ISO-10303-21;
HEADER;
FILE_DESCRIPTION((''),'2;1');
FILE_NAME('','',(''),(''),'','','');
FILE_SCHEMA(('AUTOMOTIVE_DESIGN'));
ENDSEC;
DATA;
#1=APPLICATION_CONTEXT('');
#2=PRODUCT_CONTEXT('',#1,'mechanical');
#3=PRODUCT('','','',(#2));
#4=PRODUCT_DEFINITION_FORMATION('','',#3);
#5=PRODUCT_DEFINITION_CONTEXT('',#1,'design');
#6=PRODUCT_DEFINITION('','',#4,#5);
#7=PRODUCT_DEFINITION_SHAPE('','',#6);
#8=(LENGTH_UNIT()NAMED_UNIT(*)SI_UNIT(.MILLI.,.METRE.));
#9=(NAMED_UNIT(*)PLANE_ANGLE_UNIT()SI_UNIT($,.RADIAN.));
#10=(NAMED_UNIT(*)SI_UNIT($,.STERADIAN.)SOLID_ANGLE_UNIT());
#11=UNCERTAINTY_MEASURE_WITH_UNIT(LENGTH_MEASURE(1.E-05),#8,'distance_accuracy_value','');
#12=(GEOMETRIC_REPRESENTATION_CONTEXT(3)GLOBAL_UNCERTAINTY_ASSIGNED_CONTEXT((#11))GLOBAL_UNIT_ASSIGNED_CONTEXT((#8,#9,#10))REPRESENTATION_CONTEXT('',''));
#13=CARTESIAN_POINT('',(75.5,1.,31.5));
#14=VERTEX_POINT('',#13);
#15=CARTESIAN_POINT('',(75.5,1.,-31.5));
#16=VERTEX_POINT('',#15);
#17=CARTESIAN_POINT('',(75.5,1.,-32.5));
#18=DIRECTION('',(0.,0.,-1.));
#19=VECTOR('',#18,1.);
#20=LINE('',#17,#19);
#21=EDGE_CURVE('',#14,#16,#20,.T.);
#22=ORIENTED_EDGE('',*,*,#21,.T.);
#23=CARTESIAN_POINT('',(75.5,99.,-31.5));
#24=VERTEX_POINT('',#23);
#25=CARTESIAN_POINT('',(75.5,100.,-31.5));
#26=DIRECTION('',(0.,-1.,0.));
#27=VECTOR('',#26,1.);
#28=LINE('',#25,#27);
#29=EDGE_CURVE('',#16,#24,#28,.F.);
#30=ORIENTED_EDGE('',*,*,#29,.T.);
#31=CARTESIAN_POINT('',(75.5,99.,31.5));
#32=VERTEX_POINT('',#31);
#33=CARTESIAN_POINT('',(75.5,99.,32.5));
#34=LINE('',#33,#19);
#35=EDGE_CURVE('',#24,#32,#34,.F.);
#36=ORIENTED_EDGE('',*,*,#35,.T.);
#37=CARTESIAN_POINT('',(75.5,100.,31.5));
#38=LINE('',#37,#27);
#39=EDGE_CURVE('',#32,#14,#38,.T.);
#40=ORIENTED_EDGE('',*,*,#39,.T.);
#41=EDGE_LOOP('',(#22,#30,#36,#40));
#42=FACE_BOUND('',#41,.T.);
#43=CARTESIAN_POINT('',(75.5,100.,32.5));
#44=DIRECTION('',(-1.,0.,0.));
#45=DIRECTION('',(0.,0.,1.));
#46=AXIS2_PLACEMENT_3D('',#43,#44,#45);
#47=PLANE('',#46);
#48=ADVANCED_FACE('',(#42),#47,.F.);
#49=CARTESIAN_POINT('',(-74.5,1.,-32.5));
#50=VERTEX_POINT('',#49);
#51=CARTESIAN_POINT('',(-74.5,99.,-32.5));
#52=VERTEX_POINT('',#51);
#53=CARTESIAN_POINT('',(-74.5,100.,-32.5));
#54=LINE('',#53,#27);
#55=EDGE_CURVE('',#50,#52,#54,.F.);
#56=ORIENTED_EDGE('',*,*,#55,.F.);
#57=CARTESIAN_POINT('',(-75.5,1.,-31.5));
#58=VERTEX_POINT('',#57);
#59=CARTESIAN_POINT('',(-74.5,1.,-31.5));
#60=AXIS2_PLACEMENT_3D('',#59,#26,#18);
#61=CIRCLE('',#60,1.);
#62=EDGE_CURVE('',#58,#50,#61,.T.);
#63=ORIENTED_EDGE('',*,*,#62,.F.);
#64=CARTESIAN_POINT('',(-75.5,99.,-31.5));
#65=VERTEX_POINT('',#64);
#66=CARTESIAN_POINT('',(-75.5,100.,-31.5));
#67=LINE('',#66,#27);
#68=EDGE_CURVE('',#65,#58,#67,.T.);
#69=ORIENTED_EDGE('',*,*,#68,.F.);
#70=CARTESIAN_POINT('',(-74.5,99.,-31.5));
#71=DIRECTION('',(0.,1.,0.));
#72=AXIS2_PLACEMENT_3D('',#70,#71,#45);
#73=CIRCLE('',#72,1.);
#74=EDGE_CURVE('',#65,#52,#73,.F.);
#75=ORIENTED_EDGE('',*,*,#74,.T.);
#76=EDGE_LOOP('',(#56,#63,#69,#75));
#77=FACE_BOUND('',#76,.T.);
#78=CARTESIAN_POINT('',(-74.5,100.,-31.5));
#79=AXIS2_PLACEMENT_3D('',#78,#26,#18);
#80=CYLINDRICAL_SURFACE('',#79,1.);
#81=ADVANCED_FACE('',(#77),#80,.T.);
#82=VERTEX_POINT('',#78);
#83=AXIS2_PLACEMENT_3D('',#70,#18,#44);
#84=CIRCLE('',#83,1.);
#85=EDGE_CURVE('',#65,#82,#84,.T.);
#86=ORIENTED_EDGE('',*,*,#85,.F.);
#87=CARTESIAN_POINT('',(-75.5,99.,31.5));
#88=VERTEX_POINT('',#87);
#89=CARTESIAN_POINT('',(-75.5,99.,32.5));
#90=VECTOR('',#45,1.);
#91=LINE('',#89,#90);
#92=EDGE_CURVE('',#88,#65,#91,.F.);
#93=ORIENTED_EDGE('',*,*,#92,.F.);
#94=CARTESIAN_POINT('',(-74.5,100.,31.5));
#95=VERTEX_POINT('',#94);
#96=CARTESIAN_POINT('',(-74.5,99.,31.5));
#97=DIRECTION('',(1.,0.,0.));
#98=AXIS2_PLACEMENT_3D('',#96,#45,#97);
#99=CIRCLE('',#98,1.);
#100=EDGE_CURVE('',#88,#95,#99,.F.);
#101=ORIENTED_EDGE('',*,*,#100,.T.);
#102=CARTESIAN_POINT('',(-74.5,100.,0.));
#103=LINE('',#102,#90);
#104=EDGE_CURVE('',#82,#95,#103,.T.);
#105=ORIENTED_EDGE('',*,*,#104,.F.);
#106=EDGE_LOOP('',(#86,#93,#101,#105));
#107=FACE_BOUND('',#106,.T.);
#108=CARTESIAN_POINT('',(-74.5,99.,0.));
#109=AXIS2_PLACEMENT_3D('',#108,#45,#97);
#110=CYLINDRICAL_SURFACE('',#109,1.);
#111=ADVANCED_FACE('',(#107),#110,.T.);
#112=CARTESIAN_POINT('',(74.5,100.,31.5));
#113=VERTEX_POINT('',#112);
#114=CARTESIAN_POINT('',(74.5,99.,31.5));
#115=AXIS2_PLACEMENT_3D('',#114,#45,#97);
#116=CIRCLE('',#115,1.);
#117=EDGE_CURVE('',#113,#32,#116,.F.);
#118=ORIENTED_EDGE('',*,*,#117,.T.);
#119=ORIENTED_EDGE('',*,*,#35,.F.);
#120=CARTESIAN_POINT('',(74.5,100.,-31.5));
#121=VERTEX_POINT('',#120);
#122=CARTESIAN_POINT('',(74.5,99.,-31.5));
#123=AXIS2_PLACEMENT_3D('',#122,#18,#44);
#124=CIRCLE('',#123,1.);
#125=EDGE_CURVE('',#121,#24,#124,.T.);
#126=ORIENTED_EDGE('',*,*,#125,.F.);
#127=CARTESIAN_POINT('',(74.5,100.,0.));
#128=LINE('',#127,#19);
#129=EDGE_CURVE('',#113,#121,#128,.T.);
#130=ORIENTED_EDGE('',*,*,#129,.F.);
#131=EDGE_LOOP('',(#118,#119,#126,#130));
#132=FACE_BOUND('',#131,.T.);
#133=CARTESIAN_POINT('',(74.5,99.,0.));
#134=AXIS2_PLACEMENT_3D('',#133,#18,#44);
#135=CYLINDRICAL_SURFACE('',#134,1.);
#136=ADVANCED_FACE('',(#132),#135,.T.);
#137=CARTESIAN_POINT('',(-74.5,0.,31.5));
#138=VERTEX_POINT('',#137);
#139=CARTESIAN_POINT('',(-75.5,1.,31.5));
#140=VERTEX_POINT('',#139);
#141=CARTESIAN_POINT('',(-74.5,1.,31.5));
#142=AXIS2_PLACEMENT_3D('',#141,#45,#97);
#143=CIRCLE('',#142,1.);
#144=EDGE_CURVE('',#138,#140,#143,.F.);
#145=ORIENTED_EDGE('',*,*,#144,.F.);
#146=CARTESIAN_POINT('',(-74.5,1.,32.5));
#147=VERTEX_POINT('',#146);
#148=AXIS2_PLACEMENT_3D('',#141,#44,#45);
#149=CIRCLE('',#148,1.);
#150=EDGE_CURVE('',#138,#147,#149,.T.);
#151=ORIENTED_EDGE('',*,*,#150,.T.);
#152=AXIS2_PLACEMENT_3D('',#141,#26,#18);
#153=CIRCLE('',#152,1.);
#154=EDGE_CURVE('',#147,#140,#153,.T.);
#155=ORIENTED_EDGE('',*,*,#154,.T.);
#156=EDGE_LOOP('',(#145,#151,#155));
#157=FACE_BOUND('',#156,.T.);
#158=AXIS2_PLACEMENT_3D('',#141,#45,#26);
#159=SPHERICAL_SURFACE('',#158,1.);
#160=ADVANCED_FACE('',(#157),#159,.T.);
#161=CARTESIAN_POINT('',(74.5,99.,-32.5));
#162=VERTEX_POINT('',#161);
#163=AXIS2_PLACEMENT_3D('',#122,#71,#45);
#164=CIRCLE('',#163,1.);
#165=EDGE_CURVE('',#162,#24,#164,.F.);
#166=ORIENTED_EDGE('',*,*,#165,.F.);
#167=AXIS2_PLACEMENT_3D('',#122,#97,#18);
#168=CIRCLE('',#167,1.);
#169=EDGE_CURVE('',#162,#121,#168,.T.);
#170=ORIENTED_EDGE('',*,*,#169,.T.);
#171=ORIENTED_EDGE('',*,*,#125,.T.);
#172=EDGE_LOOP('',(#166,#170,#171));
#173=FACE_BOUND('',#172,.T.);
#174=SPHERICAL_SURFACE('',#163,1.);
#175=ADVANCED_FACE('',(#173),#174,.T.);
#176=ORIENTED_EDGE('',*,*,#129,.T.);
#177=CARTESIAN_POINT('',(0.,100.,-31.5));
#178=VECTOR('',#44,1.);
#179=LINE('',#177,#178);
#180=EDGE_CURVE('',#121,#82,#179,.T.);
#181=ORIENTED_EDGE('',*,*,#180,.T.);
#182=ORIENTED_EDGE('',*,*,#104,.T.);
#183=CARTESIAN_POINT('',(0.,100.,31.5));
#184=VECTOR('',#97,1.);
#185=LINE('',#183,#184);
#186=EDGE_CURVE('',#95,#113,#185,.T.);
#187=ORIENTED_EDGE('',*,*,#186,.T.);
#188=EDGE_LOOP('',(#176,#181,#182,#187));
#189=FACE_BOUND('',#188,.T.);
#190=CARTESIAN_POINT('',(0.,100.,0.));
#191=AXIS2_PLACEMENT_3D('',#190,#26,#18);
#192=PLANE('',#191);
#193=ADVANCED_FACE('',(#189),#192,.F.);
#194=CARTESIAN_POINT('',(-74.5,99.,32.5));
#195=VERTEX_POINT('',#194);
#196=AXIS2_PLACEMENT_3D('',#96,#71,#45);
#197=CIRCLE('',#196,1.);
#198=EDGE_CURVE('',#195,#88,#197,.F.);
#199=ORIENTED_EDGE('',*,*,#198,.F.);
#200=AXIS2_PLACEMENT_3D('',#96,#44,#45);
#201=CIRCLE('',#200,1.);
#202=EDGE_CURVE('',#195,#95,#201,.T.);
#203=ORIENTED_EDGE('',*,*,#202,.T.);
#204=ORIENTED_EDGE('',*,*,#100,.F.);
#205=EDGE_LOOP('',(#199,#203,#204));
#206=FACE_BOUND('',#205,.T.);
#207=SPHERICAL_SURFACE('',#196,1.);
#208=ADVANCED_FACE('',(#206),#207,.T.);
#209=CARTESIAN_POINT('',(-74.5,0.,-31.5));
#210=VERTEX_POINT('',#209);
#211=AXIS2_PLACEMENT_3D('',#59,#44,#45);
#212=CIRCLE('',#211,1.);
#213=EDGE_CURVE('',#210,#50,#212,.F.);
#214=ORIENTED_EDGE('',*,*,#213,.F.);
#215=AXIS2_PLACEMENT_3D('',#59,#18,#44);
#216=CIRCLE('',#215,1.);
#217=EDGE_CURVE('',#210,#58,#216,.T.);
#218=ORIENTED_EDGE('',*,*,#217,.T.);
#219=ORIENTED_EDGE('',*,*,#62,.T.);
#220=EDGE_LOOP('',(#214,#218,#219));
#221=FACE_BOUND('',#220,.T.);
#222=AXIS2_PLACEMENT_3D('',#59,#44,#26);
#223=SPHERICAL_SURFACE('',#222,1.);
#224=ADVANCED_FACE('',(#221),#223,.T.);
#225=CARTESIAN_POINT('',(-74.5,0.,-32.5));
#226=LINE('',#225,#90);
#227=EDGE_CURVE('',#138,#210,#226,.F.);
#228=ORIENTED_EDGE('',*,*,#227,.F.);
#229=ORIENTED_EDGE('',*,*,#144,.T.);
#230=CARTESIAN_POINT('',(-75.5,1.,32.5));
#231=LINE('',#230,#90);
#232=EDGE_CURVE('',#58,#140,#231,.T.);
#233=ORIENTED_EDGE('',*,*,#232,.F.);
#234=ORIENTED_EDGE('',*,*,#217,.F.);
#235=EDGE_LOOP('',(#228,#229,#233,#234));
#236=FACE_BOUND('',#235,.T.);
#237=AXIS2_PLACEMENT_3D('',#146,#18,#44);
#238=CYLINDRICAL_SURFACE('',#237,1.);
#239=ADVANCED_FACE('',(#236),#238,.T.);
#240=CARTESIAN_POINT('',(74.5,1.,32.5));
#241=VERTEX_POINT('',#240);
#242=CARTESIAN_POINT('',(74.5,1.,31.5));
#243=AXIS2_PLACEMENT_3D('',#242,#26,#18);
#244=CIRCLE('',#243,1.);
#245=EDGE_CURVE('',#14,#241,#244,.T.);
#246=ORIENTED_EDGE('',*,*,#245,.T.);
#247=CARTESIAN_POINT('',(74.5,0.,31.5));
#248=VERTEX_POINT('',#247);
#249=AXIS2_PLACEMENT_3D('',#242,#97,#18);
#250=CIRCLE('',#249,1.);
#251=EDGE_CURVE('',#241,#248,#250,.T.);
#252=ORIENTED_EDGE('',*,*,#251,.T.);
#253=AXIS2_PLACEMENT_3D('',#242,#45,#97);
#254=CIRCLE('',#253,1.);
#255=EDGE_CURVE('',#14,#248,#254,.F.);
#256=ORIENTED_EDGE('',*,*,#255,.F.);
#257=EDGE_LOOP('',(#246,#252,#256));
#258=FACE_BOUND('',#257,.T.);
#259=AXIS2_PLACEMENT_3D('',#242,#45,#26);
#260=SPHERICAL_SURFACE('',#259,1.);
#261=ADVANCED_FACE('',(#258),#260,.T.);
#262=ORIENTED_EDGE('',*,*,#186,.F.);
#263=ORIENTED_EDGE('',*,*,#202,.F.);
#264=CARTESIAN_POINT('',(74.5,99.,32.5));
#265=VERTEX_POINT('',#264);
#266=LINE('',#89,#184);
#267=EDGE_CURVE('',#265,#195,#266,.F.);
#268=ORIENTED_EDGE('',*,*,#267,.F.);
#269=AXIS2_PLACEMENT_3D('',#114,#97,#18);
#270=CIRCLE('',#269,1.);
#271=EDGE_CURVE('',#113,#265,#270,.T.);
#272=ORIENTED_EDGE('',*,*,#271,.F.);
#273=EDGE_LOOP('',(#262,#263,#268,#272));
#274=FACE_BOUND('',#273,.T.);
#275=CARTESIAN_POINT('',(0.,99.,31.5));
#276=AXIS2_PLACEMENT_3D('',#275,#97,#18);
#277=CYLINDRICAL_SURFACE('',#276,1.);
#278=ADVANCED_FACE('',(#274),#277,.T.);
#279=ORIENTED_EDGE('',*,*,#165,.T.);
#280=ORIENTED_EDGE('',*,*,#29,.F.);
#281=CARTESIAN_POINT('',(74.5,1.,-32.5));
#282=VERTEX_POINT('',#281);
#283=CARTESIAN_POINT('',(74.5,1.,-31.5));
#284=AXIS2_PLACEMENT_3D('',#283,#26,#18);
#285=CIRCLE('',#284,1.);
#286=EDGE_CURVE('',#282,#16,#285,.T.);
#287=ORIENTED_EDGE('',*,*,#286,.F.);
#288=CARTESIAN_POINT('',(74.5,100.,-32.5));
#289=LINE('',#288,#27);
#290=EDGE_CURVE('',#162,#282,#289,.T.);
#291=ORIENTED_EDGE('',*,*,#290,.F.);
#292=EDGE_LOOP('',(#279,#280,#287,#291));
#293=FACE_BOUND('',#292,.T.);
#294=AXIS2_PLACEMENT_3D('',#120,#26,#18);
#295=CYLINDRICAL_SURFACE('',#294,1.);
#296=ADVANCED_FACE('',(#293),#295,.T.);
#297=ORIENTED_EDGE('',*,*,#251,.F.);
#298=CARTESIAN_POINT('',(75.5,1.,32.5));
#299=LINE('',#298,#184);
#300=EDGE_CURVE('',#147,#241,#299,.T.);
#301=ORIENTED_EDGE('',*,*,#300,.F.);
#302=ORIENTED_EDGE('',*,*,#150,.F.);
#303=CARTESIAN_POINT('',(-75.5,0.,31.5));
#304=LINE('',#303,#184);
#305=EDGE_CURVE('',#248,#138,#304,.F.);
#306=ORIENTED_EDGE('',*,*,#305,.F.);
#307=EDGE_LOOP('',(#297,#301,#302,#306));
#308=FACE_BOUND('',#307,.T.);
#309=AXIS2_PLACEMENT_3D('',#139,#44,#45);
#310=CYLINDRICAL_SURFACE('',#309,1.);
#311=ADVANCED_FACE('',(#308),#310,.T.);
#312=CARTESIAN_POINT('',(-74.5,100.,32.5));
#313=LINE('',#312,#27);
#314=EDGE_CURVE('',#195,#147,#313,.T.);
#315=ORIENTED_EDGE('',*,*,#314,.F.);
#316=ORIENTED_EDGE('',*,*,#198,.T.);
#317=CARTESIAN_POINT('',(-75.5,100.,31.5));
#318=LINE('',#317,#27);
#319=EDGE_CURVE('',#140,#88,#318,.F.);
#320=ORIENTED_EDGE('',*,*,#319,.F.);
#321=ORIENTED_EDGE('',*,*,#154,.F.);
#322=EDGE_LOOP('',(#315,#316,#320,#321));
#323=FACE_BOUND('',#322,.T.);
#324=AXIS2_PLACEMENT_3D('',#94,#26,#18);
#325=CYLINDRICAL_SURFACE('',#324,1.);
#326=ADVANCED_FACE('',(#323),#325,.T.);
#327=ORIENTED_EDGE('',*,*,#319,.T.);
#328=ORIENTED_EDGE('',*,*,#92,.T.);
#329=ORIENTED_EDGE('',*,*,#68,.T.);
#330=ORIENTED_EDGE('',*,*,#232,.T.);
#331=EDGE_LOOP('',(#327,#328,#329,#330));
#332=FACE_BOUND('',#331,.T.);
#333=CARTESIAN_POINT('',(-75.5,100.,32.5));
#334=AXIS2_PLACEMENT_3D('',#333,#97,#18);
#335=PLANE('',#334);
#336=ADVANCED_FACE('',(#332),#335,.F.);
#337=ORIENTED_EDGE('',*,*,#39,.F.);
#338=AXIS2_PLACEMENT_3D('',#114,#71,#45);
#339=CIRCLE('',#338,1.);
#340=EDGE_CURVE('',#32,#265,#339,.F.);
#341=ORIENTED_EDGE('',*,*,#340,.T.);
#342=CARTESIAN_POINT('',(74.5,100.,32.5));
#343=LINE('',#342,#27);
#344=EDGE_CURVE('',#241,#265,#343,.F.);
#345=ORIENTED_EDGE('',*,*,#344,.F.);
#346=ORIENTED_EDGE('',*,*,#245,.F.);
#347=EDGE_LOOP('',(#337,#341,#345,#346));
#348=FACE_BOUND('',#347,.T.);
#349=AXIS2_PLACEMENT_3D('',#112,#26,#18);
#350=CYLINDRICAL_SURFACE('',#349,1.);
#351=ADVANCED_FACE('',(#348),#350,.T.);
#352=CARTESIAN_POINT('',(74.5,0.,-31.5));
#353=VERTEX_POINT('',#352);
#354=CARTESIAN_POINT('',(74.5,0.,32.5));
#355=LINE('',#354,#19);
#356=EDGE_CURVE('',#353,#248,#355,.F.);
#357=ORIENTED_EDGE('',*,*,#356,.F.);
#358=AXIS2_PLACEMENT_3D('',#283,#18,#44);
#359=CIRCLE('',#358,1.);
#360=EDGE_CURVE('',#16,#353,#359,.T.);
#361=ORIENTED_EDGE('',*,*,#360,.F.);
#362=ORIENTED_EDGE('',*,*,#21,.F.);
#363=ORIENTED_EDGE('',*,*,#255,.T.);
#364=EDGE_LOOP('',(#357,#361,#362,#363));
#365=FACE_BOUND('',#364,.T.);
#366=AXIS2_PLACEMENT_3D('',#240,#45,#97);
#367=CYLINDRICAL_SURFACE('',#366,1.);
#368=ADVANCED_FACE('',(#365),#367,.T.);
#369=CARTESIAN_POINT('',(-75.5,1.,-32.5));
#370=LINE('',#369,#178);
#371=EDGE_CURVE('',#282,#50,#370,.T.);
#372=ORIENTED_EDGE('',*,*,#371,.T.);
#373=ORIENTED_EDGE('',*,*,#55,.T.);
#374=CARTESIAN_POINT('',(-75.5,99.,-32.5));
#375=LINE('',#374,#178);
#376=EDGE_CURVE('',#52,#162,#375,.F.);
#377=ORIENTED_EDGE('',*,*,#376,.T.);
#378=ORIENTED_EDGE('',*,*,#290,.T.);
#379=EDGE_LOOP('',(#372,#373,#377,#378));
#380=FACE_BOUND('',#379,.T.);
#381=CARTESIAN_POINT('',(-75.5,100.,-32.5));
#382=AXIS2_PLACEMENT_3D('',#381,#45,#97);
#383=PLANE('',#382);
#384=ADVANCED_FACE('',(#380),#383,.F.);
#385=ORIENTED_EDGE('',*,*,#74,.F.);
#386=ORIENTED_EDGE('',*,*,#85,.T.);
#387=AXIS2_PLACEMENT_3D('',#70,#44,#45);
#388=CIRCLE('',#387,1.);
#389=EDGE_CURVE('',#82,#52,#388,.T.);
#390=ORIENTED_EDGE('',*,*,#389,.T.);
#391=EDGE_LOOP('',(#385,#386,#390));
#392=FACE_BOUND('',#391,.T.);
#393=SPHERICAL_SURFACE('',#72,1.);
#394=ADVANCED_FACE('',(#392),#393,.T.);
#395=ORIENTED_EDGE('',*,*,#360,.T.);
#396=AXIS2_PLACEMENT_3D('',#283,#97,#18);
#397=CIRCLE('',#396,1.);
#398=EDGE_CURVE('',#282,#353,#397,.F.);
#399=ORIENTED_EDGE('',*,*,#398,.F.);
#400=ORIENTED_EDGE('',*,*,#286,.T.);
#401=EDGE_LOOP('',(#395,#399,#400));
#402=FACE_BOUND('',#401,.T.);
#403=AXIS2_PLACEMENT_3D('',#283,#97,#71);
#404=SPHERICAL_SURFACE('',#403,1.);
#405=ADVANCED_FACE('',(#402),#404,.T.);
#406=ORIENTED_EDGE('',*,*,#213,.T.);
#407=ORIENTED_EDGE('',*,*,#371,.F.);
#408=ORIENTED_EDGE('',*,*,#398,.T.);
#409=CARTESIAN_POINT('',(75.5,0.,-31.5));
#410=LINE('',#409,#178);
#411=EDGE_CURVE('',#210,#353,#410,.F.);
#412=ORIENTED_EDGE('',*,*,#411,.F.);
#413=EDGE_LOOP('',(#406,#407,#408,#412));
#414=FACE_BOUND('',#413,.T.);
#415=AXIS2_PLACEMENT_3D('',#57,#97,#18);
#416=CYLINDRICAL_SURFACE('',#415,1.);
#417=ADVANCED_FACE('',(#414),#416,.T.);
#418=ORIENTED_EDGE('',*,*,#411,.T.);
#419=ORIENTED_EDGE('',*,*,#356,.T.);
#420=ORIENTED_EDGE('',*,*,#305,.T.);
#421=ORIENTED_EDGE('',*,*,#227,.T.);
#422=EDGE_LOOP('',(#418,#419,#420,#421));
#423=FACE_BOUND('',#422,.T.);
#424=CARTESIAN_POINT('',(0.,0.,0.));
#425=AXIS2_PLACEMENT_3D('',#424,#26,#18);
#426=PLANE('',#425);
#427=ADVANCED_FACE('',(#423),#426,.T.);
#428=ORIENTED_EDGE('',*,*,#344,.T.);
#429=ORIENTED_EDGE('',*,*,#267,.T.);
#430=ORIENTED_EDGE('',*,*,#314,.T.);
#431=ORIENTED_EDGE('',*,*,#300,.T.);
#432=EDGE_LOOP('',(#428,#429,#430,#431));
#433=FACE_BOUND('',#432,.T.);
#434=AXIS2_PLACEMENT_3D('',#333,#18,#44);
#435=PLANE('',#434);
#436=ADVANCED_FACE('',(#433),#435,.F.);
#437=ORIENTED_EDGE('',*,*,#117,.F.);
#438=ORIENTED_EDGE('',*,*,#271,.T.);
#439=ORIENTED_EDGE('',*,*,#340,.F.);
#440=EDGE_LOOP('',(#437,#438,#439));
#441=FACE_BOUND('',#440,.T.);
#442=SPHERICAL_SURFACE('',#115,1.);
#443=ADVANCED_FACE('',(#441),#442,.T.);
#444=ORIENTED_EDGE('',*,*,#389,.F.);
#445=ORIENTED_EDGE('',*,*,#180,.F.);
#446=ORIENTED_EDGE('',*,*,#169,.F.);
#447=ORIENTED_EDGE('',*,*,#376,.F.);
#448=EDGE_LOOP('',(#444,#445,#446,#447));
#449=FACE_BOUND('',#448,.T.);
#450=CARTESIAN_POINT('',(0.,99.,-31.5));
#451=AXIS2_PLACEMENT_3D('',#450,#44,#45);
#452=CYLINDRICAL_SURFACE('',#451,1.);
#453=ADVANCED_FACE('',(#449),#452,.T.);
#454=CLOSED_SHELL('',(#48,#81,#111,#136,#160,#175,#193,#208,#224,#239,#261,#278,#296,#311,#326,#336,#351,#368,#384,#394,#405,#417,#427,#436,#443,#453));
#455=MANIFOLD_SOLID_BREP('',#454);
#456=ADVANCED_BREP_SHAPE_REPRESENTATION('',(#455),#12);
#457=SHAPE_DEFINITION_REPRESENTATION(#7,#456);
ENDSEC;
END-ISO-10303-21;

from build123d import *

# Parameters (mm, degrees)
SKETCH1_W           = 151
SKETCH1_H           = 65
BOSS_EXTRUDE1_DEPTH = 100
FILLET1_R           = 1


with BuildPart() as part:
    # Sketch1 → Boss-Extrude1 (new body)
    with BuildSketch(Plane(origin=(0, 0, 0), x_dir=(1, 0, 0), z_dir=(0, 1, 0))):
        Rectangle(SKETCH1_W, SKETCH1_H)
    extrude(amount=BOSS_EXTRUDE1_DEPTH)

    # Fillet1
    fillet1_edges = [part.edges().sort_by_distance(p)[0] for p in [
        (-75.5, 100, 0),
        (0, 100, 32.5),
        (75.5, 100, 0),
        (0, 0, 32.5),
        (-75.5, 0, 0),
        (0, 0, -32.5),
        (75.5, 0, 0),
        (75.5, 50, 32.5),
        (-75.5, 50, 32.5),
        (-75.5, 50, -32.5),
        (75.5, 50, -32.5),
        (0, 100, -32.5),
    ]]
    fillet(fillet1_edges, radius=FILLET1_R)


solid = part.part
